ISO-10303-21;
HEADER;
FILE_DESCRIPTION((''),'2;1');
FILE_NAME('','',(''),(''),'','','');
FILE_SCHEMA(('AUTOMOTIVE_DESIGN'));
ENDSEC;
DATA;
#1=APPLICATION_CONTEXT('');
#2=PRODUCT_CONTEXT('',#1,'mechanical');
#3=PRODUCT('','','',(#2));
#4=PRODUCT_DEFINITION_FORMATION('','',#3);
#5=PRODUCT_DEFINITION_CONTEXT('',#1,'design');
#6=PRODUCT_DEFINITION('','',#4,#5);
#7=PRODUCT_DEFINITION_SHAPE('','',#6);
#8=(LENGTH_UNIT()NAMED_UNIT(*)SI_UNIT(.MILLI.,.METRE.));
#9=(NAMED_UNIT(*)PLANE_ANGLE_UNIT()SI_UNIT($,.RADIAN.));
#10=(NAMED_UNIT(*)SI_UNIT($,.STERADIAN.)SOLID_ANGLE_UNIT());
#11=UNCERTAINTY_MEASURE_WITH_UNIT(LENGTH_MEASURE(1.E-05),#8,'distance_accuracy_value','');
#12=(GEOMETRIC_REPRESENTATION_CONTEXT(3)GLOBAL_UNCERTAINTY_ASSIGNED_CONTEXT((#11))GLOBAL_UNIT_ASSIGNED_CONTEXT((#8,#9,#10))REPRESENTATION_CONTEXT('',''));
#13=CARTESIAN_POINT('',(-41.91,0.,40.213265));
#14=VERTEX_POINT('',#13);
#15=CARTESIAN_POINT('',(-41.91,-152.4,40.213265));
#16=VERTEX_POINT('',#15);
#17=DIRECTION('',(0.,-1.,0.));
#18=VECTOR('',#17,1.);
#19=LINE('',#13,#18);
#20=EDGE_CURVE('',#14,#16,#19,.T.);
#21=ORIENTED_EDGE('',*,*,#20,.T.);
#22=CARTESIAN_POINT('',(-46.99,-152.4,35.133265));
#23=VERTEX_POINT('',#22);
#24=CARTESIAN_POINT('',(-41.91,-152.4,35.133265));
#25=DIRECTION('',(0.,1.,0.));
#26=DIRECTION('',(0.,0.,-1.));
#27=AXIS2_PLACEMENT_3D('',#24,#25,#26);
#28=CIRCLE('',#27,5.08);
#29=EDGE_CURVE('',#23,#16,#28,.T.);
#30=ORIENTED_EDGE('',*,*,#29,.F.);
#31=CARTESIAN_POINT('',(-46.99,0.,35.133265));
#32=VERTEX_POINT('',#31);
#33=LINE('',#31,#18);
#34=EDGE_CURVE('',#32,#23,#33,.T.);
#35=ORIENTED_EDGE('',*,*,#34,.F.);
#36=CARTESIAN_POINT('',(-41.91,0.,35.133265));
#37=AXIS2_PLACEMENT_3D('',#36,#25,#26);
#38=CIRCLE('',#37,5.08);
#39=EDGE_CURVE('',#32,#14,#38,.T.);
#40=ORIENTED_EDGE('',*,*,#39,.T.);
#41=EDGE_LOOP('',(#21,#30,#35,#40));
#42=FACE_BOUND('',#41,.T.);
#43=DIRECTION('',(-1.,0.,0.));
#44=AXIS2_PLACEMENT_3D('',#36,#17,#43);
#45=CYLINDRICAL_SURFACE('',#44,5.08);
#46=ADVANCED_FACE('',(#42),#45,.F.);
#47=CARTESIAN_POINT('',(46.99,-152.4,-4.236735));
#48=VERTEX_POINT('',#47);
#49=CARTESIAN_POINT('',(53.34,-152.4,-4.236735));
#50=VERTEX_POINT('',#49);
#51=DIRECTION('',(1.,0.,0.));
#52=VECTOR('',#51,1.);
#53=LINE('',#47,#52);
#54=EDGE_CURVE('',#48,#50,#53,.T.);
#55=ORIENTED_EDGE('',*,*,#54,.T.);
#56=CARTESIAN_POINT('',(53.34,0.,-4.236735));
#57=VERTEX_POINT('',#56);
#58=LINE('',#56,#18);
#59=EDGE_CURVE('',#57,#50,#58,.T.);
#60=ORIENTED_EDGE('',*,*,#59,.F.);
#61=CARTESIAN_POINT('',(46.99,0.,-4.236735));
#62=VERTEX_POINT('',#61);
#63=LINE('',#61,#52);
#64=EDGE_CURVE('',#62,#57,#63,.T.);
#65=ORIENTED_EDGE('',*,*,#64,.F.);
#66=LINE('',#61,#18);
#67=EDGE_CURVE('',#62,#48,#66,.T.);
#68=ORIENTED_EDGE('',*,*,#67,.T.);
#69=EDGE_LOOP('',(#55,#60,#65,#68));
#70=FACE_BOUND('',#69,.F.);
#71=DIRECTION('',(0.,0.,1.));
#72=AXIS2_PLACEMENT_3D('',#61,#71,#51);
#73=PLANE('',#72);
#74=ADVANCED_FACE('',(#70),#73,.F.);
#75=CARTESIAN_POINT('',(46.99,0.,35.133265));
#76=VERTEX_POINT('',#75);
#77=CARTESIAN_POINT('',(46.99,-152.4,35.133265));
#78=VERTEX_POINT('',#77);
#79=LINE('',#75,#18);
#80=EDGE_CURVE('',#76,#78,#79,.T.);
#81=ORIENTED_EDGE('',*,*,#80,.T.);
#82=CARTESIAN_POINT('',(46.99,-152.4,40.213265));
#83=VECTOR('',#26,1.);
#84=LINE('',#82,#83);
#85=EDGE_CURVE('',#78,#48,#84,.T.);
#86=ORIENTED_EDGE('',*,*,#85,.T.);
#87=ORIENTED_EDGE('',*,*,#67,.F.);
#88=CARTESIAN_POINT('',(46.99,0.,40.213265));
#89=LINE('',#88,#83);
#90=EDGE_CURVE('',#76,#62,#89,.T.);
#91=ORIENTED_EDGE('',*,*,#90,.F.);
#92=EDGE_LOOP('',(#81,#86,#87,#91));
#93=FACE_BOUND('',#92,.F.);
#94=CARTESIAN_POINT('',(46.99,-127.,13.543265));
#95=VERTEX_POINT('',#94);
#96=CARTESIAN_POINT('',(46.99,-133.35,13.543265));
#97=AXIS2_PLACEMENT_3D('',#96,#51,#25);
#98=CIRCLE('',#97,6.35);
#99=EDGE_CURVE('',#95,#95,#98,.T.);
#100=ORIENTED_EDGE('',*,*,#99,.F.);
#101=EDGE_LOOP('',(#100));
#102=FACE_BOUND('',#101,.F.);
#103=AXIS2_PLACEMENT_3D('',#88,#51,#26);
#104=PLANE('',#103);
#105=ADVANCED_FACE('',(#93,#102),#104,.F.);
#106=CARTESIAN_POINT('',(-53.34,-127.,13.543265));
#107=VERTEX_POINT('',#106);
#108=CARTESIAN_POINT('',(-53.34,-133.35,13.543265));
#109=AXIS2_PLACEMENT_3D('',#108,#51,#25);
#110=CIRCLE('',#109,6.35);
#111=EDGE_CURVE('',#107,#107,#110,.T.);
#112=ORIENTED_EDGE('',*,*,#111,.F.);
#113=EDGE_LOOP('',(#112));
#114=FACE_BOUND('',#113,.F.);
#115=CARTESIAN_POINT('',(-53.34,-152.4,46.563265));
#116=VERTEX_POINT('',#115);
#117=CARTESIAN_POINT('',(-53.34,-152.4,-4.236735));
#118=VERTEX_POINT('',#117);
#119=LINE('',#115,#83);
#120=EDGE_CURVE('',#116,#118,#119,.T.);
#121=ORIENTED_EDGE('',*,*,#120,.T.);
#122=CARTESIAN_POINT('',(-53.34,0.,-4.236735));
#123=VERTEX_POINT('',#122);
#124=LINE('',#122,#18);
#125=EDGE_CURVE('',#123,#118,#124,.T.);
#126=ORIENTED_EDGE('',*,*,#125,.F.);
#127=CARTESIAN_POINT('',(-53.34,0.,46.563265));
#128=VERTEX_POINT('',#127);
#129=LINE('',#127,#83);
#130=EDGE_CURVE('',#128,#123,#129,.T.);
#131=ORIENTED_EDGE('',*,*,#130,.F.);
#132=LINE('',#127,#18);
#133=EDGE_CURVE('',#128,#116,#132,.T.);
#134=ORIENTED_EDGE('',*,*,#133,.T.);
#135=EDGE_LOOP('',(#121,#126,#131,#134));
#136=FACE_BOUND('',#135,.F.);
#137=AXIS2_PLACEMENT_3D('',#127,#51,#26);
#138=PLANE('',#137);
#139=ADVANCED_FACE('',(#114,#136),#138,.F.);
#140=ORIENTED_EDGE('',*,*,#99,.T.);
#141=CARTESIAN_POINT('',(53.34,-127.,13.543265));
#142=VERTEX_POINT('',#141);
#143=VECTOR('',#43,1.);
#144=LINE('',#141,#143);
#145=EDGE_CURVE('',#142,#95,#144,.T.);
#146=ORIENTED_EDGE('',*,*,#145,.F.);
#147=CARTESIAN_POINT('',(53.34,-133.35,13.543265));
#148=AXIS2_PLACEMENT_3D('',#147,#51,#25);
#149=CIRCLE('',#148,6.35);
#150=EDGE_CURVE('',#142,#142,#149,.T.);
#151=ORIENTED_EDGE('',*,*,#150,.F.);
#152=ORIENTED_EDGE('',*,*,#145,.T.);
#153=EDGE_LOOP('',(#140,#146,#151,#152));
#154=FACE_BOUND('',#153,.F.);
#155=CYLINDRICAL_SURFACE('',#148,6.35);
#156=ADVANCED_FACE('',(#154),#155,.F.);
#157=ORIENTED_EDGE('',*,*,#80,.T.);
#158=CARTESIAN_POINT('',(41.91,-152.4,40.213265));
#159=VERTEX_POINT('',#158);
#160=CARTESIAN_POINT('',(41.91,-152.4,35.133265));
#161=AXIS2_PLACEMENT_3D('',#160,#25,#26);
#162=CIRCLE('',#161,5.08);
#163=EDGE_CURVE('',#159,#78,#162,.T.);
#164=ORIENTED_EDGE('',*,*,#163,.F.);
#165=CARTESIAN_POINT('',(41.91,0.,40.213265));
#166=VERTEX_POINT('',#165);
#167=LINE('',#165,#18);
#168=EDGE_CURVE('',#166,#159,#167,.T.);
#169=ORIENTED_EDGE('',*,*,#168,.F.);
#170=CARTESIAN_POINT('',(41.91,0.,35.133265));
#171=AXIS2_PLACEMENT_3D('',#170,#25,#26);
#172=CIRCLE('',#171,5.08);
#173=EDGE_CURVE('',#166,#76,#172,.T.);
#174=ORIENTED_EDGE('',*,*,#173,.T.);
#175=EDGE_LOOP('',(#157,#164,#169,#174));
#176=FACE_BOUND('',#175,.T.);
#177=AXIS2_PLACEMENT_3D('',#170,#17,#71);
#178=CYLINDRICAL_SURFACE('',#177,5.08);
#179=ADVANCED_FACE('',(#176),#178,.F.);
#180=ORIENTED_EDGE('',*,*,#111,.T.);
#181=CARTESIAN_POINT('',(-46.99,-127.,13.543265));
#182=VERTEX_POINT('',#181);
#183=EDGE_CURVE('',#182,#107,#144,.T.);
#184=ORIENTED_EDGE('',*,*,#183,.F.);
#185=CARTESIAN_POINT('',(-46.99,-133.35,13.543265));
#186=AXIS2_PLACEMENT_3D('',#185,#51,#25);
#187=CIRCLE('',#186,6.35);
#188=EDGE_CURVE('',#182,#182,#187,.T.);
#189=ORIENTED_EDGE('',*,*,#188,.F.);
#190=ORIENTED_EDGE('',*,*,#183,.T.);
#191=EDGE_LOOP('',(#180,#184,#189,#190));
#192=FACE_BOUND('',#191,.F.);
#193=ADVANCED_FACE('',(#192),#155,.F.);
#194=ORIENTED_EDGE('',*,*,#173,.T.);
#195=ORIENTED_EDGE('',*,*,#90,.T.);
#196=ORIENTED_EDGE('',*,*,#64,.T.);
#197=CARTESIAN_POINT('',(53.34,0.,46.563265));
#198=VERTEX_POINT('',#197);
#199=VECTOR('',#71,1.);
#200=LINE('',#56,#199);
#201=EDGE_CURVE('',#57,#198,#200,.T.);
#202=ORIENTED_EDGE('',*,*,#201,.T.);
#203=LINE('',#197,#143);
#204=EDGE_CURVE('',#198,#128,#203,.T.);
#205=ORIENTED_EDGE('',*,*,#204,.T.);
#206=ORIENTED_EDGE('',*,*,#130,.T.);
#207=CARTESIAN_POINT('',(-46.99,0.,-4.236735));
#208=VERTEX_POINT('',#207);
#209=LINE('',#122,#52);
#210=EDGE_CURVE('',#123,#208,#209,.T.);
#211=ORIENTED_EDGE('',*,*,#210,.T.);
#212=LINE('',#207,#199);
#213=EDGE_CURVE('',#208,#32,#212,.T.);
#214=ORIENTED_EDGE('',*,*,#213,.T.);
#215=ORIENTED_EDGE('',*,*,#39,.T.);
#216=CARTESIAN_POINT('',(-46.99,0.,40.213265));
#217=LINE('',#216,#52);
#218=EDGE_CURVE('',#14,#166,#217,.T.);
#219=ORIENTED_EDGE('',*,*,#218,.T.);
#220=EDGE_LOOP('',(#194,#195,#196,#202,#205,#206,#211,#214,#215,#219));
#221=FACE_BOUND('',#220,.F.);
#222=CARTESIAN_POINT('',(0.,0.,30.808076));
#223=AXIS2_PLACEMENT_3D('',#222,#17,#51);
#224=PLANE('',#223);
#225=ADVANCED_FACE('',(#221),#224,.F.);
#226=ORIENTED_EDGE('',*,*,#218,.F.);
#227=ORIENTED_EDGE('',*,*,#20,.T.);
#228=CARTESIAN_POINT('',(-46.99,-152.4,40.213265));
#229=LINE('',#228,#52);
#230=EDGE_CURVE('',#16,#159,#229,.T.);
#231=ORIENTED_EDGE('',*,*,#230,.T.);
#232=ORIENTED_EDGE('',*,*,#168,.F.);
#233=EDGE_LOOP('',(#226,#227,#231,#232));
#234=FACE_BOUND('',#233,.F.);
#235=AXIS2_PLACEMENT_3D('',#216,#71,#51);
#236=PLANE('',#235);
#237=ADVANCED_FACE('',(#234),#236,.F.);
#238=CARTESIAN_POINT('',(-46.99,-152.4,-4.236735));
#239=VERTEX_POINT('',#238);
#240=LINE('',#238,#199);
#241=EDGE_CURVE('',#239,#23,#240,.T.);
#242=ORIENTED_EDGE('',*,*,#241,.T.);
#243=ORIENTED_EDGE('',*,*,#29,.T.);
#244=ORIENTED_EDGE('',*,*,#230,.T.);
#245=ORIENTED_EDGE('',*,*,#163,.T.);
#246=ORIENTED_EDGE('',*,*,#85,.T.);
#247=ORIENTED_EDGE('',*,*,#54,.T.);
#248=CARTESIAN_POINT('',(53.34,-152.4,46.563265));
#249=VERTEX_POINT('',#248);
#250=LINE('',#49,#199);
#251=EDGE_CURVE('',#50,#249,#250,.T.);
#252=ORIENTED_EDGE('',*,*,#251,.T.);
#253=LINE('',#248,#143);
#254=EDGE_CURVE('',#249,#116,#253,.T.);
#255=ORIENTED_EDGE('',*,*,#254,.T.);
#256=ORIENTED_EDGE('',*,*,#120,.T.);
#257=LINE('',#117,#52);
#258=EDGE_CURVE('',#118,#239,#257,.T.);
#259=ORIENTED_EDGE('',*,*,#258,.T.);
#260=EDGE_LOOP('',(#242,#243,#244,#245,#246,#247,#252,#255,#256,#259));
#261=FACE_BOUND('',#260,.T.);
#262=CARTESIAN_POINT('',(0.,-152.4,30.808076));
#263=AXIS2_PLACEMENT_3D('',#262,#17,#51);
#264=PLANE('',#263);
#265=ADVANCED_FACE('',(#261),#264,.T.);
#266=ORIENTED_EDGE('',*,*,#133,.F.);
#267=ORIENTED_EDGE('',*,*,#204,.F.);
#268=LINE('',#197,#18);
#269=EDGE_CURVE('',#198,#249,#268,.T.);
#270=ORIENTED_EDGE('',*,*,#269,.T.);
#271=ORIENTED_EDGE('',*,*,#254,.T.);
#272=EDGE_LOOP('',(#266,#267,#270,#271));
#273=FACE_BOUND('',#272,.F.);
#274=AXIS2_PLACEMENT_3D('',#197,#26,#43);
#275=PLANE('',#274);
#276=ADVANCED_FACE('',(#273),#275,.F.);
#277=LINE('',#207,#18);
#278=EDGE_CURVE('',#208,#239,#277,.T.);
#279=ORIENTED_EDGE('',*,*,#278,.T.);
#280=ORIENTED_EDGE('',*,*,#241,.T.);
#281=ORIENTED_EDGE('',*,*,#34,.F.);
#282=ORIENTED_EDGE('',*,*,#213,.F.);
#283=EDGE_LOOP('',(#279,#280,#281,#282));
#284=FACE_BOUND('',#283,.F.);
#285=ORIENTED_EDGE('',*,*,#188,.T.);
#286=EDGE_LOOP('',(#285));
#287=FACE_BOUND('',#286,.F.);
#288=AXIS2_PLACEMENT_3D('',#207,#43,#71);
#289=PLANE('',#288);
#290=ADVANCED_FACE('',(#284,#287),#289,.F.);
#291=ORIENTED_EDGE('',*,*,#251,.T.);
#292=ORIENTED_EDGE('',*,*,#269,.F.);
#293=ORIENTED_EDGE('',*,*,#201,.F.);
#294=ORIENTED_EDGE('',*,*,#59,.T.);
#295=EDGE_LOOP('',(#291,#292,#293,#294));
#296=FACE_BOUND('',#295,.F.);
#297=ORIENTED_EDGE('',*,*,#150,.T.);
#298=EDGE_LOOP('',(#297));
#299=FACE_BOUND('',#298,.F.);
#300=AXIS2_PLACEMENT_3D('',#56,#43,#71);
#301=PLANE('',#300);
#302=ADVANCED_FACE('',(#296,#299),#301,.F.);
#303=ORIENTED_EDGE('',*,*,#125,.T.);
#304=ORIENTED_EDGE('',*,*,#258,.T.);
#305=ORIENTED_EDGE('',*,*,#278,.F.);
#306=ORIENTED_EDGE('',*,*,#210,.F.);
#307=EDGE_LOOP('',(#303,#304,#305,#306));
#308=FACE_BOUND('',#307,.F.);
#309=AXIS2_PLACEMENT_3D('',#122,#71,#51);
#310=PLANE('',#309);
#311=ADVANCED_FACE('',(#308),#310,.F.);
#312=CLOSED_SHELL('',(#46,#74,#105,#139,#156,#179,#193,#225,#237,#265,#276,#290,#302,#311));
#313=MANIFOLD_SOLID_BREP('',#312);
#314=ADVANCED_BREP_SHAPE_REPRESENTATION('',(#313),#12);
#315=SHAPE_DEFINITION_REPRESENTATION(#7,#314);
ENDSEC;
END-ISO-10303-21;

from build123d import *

# Parameters (mm, degrees)
F1_DEPTH = 152.4
F2_R     = 5.08
F3_R     = 6.35
F4_DEPTH = 106.681


with BuildPart() as f1:
    # F0 (on Front) → F1 (new body)
    with BuildSketch(Plane.XZ):
        Polygon((-46.99, -4.236735), (-46.99, 40.213265), (46.99, 40.213265), (46.99, -4.236735), (53.34, -4.236735), (53.34, 46.563265), (-53.34, 46.563265), (-53.34, -4.236735), align=None)
    extrude(amount=F1_DEPTH)

    # F2
    f2_edges = [f1.edges().sort_by_distance(p)[0] for p in [
        (-46.99, -76.2, 40.213265),
        (46.99, -76.2, 40.213265),
    ]]
    fillet(f2_edges, radius=F2_R)

    # F3 (on face) → F4 (cut, through all)
    with BuildSketch(Plane.YZ.offset(53.34)):
        with Locations((-133.35, 13.543265)):
            Circle(F3_R)
    extrude(amount=-F4_DEPTH, mode=Mode.SUBTRACT)


solid = f1.part
